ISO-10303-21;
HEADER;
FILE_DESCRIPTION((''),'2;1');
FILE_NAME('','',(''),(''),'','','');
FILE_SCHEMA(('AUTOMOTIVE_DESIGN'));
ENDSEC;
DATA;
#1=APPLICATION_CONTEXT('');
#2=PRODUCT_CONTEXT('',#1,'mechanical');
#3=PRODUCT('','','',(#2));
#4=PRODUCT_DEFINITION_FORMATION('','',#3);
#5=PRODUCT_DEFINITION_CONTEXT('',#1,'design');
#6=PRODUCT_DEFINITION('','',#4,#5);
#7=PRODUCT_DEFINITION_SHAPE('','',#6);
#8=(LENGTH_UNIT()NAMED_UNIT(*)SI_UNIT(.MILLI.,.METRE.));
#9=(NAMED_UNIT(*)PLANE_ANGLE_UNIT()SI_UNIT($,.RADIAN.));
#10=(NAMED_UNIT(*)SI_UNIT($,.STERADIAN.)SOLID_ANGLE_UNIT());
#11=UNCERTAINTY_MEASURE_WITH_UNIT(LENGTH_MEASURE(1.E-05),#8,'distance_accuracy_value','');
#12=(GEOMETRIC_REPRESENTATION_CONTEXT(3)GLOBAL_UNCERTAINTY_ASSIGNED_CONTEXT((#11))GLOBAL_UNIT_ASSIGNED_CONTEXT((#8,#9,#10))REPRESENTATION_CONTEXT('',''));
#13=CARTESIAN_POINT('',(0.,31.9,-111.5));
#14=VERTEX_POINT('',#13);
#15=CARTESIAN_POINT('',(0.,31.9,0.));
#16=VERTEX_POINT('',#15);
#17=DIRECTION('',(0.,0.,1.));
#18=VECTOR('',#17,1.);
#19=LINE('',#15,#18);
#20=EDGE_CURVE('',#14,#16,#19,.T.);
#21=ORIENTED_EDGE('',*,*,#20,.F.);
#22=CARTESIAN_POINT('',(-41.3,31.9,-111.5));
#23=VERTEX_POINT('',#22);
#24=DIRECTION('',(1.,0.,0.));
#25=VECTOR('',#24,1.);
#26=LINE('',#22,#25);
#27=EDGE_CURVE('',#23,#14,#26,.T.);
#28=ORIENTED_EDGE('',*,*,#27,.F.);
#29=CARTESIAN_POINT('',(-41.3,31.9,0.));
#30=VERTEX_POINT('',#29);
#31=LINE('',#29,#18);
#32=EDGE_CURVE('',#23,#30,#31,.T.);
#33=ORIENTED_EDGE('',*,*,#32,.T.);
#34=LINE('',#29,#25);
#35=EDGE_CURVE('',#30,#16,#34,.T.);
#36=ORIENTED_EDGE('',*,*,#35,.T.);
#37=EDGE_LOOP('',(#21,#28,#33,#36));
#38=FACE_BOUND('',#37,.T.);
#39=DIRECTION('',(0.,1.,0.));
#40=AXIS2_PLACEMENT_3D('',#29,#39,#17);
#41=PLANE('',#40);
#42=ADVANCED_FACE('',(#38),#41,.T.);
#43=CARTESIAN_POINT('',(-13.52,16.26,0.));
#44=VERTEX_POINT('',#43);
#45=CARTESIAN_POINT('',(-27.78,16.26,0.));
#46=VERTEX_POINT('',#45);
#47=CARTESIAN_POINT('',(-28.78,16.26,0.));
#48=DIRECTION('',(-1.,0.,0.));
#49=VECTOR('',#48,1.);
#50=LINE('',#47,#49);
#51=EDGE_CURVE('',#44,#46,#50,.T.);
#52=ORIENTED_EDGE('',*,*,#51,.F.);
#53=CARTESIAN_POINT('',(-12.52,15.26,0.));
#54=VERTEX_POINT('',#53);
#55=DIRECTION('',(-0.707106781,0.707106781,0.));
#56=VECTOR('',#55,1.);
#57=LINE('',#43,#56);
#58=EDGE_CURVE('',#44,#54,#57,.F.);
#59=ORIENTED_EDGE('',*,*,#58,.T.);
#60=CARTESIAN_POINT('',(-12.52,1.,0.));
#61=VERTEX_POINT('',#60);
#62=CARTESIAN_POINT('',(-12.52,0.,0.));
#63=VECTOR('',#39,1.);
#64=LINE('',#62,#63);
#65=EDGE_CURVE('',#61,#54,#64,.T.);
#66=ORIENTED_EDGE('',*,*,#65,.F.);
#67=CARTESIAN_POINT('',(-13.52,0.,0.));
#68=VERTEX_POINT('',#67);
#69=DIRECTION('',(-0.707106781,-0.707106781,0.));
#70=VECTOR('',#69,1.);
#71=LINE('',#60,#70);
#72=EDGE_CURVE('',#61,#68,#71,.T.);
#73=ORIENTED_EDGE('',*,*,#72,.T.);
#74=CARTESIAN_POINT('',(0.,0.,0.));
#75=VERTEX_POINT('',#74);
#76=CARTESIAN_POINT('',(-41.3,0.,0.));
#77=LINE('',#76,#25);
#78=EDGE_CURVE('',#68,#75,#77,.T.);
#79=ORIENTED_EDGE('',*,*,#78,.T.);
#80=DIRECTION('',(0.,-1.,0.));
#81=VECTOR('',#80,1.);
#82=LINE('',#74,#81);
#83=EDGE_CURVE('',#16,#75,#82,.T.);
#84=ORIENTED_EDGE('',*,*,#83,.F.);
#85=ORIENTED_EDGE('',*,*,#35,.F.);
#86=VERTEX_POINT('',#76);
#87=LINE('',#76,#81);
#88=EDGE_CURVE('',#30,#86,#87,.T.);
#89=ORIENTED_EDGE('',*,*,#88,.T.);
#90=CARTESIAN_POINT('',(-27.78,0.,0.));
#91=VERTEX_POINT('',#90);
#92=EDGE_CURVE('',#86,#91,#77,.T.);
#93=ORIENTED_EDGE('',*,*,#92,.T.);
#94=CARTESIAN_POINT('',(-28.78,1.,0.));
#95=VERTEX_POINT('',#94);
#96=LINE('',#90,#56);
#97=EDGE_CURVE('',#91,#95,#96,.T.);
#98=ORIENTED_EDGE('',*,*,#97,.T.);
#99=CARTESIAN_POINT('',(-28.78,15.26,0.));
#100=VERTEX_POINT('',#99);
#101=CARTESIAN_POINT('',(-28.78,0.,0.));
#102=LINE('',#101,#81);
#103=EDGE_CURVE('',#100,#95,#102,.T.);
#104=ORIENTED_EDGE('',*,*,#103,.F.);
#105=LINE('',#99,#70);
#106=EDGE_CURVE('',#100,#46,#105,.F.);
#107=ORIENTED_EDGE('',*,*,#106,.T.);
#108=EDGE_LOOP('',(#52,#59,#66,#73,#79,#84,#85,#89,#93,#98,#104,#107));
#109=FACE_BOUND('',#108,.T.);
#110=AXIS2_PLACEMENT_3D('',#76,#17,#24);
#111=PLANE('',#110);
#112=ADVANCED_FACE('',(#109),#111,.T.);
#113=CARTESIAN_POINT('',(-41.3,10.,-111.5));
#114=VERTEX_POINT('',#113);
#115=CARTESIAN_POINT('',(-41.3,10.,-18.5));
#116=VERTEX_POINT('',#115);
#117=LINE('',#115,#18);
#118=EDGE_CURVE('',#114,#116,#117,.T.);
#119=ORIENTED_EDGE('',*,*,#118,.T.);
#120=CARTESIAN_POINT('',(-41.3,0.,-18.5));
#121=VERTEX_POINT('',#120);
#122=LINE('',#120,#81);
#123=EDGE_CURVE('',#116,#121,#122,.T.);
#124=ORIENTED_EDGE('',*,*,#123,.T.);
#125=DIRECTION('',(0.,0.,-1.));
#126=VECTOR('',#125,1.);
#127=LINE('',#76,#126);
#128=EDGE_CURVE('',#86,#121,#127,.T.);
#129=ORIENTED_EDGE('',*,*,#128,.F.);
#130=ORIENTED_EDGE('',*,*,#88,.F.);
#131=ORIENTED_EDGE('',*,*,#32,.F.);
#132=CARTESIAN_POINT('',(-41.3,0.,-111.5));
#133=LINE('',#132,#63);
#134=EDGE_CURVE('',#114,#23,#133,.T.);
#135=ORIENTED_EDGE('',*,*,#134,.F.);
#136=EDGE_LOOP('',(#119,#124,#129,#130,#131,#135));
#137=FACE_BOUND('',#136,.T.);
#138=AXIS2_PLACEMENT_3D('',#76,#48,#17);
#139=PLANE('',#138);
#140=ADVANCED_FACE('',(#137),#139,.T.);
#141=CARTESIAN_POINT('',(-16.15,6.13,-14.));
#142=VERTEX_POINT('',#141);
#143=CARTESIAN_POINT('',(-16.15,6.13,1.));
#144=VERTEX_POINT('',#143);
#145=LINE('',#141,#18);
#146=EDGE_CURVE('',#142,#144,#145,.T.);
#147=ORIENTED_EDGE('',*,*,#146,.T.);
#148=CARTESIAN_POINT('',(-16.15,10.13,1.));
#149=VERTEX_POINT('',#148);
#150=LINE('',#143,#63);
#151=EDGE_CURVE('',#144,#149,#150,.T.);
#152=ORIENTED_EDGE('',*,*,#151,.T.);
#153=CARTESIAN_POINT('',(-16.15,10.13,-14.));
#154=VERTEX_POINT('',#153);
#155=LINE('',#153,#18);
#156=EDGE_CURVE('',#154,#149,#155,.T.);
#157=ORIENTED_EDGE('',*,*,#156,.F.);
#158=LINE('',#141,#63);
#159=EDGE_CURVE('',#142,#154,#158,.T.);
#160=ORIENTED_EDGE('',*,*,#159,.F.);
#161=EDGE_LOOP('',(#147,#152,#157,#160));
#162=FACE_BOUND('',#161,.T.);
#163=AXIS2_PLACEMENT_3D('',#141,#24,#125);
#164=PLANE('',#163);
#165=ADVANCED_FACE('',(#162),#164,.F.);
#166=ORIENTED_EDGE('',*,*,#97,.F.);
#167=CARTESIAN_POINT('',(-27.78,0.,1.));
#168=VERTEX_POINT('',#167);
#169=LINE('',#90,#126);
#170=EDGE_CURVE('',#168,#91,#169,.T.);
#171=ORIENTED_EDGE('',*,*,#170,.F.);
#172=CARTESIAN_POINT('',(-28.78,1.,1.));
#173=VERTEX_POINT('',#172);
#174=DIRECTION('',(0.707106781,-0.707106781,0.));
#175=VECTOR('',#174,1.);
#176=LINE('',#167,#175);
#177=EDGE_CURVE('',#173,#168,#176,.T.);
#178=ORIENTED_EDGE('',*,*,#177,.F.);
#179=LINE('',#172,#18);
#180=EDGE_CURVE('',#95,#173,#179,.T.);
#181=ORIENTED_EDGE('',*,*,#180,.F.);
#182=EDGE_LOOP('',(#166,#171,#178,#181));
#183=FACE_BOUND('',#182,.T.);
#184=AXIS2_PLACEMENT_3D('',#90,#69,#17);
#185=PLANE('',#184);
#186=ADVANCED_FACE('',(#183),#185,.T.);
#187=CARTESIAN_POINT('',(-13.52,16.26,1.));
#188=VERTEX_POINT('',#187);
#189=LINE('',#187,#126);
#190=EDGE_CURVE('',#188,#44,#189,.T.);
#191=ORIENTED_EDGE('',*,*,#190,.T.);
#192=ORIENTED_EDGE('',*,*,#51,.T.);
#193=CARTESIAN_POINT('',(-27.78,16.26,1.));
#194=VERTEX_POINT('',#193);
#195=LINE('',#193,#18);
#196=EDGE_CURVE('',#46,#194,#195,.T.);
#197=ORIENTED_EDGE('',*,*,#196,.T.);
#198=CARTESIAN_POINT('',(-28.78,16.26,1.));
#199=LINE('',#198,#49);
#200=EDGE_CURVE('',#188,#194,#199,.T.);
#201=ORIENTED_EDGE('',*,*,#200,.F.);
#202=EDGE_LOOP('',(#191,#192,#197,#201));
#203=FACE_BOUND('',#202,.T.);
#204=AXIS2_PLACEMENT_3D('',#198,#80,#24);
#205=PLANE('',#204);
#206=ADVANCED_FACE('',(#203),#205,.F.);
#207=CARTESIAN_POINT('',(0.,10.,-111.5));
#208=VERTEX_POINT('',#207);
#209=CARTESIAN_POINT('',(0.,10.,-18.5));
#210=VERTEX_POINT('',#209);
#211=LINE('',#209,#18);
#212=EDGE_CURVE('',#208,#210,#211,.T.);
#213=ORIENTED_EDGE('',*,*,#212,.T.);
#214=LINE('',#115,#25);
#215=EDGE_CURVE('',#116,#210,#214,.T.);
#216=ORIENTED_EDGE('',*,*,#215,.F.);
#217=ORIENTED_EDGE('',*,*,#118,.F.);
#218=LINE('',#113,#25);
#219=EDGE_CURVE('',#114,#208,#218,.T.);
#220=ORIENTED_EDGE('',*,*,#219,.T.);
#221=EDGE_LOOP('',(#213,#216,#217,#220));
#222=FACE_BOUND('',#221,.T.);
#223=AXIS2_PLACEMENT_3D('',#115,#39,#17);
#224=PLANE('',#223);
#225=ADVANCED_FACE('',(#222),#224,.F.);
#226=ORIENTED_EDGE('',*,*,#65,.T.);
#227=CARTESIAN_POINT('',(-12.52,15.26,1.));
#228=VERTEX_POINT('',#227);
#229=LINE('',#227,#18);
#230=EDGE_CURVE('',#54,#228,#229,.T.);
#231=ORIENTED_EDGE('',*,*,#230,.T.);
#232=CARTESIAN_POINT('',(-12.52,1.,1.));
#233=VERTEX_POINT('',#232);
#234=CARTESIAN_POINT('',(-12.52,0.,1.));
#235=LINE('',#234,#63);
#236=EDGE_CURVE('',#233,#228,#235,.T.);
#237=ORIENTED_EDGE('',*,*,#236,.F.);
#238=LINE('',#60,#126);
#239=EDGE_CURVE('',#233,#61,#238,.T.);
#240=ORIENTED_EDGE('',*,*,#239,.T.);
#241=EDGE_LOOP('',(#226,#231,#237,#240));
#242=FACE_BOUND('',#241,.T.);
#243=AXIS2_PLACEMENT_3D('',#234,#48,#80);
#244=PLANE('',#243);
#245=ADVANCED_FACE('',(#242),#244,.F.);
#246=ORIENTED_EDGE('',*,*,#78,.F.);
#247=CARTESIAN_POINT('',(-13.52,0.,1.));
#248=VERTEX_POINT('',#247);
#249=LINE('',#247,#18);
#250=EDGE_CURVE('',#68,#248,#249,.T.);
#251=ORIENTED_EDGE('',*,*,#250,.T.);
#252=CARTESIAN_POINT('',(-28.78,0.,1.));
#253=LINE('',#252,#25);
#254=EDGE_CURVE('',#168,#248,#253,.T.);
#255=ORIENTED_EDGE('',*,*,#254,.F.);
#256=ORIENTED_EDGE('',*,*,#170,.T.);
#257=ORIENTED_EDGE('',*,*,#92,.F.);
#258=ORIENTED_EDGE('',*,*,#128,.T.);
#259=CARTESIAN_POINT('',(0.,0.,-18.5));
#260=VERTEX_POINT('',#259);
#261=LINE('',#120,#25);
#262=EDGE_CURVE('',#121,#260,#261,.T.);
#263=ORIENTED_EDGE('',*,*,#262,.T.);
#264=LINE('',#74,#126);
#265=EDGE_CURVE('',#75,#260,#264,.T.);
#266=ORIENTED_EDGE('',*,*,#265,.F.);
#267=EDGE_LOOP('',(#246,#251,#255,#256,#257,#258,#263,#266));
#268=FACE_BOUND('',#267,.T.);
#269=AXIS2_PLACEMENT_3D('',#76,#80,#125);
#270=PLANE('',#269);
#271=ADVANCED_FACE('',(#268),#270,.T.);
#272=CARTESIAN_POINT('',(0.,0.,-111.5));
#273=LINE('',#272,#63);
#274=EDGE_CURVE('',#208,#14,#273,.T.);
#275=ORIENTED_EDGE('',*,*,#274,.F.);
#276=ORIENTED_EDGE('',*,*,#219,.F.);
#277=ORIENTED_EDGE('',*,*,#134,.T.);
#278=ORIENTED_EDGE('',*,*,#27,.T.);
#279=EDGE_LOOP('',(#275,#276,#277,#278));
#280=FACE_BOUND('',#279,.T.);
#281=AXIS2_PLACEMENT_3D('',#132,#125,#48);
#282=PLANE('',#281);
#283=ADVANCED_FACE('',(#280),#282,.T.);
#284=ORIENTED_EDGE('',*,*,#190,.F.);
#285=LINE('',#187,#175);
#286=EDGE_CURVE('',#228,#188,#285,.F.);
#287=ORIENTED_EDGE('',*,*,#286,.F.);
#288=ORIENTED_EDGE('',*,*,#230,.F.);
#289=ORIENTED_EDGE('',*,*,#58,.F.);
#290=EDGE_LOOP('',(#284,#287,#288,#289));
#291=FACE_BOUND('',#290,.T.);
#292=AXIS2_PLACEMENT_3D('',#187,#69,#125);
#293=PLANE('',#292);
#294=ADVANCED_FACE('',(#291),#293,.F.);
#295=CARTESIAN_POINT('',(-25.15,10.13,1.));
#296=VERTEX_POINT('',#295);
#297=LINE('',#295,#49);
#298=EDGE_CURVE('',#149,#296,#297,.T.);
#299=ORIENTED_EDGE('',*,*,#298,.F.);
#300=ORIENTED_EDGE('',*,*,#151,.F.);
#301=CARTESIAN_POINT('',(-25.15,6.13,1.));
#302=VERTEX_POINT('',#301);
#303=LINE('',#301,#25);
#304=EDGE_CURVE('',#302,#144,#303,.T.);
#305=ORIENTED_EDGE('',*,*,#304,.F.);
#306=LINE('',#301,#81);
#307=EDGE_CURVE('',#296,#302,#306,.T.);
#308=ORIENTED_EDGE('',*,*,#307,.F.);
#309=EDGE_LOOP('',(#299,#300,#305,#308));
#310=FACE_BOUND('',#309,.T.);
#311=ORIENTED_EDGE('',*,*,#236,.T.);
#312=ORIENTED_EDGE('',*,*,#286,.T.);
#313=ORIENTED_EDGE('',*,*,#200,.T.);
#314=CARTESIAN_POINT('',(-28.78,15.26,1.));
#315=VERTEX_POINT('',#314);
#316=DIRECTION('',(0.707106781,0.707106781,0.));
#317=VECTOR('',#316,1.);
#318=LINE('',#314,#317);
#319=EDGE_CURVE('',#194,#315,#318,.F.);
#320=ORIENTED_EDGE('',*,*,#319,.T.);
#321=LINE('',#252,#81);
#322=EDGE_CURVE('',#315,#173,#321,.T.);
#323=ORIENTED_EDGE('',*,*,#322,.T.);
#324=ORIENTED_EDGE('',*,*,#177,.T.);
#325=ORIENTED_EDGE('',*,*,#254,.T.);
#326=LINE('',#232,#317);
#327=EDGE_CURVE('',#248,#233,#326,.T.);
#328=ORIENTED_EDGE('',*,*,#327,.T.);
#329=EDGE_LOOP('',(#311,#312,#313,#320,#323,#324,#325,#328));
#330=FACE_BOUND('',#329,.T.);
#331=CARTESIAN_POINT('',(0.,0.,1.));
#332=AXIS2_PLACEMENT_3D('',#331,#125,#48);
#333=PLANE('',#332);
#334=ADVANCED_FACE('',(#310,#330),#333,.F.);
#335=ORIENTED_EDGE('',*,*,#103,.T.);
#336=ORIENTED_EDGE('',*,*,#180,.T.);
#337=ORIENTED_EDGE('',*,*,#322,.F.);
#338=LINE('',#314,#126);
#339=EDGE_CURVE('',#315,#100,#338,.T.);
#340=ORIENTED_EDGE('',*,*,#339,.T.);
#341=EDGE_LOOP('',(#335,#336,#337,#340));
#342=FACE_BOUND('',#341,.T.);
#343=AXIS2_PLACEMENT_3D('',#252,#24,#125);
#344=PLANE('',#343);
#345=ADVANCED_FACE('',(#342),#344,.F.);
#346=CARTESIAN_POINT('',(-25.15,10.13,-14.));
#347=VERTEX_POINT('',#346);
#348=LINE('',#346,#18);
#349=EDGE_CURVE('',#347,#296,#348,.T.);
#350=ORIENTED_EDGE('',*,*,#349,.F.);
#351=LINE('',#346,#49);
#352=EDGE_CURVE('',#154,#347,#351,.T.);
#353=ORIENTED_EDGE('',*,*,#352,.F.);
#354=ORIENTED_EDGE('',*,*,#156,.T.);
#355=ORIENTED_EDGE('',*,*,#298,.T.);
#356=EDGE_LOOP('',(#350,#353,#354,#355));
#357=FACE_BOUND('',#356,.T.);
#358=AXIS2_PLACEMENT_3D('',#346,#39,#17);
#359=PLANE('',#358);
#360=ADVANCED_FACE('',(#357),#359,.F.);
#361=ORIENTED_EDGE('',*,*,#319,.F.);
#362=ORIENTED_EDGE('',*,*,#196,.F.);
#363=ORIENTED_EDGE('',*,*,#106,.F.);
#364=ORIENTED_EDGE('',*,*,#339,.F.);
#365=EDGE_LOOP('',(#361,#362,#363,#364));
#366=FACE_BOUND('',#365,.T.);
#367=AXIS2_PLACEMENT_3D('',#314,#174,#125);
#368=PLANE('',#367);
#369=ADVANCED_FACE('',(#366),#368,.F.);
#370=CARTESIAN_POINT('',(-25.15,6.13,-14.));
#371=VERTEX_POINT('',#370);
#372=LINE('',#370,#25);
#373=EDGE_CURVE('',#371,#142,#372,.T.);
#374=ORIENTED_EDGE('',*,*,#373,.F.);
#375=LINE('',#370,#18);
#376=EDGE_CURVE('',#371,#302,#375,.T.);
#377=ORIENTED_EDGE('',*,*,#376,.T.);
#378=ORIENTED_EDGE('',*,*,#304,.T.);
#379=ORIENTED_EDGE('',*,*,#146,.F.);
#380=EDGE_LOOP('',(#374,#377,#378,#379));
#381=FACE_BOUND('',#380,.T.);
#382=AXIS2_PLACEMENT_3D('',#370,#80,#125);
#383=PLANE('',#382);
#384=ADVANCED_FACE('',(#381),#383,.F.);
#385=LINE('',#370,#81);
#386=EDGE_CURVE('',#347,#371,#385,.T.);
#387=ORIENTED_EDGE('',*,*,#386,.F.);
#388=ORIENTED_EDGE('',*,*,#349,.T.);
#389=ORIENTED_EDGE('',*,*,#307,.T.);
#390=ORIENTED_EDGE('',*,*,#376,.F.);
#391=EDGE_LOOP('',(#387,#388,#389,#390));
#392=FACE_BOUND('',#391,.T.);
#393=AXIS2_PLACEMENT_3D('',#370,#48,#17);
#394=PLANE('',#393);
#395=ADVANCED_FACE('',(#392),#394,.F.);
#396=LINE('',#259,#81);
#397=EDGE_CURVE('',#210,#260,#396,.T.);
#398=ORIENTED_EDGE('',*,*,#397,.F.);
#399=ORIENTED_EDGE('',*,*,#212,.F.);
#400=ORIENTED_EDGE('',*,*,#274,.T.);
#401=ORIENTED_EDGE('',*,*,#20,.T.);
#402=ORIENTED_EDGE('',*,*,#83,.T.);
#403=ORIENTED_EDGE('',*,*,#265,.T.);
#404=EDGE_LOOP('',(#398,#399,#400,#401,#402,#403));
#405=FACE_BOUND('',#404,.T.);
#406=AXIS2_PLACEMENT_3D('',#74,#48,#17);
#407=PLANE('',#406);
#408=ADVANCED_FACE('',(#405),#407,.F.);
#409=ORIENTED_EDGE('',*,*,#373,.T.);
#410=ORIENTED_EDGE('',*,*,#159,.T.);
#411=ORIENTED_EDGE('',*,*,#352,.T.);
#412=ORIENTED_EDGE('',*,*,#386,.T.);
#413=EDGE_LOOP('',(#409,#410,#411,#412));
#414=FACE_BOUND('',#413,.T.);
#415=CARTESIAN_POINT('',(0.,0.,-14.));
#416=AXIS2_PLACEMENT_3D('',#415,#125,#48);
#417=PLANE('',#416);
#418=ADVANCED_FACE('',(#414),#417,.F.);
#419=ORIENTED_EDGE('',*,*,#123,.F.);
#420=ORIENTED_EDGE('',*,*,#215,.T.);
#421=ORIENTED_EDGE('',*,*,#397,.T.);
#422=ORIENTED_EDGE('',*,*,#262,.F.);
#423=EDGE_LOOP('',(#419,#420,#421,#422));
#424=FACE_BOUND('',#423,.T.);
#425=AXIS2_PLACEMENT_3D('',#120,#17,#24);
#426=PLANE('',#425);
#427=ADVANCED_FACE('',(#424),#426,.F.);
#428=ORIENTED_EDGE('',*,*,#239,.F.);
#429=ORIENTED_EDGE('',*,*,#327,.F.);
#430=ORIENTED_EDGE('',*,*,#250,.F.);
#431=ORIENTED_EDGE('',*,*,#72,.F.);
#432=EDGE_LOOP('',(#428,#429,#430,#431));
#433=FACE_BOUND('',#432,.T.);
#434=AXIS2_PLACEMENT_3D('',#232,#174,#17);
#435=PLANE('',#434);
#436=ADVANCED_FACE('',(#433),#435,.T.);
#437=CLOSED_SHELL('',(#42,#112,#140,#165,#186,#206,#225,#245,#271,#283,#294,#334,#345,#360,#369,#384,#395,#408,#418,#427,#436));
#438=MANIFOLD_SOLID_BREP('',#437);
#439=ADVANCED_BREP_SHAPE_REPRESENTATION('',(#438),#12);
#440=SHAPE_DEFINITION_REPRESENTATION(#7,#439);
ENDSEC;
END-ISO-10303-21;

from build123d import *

# Parameters (mm, degrees)
SKETCH1_W           = 111.5
SKETCH1_H           = 31.9
BOSS_EXTRUDE1_DEPTH = 41.3
SKETCH2_W           = 93
SKETCH2_H           = 10
CUT_EXTRUDE1_DEPTH  = 124.10787952
SKETCH3_W           = 16.26
SKETCH3_H           = 16.26
BOSS_EXTRUDE2_DEPTH = 1
SKETCH4_W           = 9
SKETCH4_H           = 4
CUT_EXTRUDE2_DEPTH  = 15
CHAMFER1_SIZE       = 1


with BuildPart() as part:
    # Sketch1 → Boss-Extrude1 (new body)
    with BuildSketch(Plane(origin=(0, 0, 0), x_dir=(0, 0, -1), z_dir=(1, 0, 0))):
        with Locations((55.75, 15.95)):
            Rectangle(SKETCH1_W, SKETCH1_H)
    extrude(amount=-BOSS_EXTRUDE1_DEPTH)

    # Sketch2 → Cut-Extrude1 (cut, through all)
    with BuildSketch(Plane(origin=(0, 0, 0), x_dir=(0, 0, -1), z_dir=(1, 0, 0))):
        with Locations((65, 5)):
            Rectangle(SKETCH2_W, SKETCH2_H)
    extrude(amount=-CUT_EXTRUDE1_DEPTH, mode=Mode.SUBTRACT)

    # Sketch3 → Boss-Extrude2 (add)
    with BuildSketch(Plane.XY):
        with Locations((-20.65, 8.13)):
            Rectangle(SKETCH3_W, SKETCH3_H)
    extrude(amount=BOSS_EXTRUDE2_DEPTH)

    # Sketch4 → Cut-Extrude2 (cut)
    with BuildSketch(Plane.XY.offset(1)):
        with Locations((-20.65, 8.13)):
            Rectangle(SKETCH4_W, SKETCH4_H)
    extrude(amount=-CUT_EXTRUDE2_DEPTH, mode=Mode.SUBTRACT)

    # Chamfer1
    chamfer1_edges = [part.edges().sort_by_distance(p)[0] for p in [
        (-12.52, 0, 0.5),
        (-12.52, 16.26, 0.5),
        (-28.78, 16.26, 0.5),
        (-28.78, 0, 0.5),
    ]]
    chamfer(chamfer1_edges, length=CHAMFER1_SIZE)


solid = part.part
